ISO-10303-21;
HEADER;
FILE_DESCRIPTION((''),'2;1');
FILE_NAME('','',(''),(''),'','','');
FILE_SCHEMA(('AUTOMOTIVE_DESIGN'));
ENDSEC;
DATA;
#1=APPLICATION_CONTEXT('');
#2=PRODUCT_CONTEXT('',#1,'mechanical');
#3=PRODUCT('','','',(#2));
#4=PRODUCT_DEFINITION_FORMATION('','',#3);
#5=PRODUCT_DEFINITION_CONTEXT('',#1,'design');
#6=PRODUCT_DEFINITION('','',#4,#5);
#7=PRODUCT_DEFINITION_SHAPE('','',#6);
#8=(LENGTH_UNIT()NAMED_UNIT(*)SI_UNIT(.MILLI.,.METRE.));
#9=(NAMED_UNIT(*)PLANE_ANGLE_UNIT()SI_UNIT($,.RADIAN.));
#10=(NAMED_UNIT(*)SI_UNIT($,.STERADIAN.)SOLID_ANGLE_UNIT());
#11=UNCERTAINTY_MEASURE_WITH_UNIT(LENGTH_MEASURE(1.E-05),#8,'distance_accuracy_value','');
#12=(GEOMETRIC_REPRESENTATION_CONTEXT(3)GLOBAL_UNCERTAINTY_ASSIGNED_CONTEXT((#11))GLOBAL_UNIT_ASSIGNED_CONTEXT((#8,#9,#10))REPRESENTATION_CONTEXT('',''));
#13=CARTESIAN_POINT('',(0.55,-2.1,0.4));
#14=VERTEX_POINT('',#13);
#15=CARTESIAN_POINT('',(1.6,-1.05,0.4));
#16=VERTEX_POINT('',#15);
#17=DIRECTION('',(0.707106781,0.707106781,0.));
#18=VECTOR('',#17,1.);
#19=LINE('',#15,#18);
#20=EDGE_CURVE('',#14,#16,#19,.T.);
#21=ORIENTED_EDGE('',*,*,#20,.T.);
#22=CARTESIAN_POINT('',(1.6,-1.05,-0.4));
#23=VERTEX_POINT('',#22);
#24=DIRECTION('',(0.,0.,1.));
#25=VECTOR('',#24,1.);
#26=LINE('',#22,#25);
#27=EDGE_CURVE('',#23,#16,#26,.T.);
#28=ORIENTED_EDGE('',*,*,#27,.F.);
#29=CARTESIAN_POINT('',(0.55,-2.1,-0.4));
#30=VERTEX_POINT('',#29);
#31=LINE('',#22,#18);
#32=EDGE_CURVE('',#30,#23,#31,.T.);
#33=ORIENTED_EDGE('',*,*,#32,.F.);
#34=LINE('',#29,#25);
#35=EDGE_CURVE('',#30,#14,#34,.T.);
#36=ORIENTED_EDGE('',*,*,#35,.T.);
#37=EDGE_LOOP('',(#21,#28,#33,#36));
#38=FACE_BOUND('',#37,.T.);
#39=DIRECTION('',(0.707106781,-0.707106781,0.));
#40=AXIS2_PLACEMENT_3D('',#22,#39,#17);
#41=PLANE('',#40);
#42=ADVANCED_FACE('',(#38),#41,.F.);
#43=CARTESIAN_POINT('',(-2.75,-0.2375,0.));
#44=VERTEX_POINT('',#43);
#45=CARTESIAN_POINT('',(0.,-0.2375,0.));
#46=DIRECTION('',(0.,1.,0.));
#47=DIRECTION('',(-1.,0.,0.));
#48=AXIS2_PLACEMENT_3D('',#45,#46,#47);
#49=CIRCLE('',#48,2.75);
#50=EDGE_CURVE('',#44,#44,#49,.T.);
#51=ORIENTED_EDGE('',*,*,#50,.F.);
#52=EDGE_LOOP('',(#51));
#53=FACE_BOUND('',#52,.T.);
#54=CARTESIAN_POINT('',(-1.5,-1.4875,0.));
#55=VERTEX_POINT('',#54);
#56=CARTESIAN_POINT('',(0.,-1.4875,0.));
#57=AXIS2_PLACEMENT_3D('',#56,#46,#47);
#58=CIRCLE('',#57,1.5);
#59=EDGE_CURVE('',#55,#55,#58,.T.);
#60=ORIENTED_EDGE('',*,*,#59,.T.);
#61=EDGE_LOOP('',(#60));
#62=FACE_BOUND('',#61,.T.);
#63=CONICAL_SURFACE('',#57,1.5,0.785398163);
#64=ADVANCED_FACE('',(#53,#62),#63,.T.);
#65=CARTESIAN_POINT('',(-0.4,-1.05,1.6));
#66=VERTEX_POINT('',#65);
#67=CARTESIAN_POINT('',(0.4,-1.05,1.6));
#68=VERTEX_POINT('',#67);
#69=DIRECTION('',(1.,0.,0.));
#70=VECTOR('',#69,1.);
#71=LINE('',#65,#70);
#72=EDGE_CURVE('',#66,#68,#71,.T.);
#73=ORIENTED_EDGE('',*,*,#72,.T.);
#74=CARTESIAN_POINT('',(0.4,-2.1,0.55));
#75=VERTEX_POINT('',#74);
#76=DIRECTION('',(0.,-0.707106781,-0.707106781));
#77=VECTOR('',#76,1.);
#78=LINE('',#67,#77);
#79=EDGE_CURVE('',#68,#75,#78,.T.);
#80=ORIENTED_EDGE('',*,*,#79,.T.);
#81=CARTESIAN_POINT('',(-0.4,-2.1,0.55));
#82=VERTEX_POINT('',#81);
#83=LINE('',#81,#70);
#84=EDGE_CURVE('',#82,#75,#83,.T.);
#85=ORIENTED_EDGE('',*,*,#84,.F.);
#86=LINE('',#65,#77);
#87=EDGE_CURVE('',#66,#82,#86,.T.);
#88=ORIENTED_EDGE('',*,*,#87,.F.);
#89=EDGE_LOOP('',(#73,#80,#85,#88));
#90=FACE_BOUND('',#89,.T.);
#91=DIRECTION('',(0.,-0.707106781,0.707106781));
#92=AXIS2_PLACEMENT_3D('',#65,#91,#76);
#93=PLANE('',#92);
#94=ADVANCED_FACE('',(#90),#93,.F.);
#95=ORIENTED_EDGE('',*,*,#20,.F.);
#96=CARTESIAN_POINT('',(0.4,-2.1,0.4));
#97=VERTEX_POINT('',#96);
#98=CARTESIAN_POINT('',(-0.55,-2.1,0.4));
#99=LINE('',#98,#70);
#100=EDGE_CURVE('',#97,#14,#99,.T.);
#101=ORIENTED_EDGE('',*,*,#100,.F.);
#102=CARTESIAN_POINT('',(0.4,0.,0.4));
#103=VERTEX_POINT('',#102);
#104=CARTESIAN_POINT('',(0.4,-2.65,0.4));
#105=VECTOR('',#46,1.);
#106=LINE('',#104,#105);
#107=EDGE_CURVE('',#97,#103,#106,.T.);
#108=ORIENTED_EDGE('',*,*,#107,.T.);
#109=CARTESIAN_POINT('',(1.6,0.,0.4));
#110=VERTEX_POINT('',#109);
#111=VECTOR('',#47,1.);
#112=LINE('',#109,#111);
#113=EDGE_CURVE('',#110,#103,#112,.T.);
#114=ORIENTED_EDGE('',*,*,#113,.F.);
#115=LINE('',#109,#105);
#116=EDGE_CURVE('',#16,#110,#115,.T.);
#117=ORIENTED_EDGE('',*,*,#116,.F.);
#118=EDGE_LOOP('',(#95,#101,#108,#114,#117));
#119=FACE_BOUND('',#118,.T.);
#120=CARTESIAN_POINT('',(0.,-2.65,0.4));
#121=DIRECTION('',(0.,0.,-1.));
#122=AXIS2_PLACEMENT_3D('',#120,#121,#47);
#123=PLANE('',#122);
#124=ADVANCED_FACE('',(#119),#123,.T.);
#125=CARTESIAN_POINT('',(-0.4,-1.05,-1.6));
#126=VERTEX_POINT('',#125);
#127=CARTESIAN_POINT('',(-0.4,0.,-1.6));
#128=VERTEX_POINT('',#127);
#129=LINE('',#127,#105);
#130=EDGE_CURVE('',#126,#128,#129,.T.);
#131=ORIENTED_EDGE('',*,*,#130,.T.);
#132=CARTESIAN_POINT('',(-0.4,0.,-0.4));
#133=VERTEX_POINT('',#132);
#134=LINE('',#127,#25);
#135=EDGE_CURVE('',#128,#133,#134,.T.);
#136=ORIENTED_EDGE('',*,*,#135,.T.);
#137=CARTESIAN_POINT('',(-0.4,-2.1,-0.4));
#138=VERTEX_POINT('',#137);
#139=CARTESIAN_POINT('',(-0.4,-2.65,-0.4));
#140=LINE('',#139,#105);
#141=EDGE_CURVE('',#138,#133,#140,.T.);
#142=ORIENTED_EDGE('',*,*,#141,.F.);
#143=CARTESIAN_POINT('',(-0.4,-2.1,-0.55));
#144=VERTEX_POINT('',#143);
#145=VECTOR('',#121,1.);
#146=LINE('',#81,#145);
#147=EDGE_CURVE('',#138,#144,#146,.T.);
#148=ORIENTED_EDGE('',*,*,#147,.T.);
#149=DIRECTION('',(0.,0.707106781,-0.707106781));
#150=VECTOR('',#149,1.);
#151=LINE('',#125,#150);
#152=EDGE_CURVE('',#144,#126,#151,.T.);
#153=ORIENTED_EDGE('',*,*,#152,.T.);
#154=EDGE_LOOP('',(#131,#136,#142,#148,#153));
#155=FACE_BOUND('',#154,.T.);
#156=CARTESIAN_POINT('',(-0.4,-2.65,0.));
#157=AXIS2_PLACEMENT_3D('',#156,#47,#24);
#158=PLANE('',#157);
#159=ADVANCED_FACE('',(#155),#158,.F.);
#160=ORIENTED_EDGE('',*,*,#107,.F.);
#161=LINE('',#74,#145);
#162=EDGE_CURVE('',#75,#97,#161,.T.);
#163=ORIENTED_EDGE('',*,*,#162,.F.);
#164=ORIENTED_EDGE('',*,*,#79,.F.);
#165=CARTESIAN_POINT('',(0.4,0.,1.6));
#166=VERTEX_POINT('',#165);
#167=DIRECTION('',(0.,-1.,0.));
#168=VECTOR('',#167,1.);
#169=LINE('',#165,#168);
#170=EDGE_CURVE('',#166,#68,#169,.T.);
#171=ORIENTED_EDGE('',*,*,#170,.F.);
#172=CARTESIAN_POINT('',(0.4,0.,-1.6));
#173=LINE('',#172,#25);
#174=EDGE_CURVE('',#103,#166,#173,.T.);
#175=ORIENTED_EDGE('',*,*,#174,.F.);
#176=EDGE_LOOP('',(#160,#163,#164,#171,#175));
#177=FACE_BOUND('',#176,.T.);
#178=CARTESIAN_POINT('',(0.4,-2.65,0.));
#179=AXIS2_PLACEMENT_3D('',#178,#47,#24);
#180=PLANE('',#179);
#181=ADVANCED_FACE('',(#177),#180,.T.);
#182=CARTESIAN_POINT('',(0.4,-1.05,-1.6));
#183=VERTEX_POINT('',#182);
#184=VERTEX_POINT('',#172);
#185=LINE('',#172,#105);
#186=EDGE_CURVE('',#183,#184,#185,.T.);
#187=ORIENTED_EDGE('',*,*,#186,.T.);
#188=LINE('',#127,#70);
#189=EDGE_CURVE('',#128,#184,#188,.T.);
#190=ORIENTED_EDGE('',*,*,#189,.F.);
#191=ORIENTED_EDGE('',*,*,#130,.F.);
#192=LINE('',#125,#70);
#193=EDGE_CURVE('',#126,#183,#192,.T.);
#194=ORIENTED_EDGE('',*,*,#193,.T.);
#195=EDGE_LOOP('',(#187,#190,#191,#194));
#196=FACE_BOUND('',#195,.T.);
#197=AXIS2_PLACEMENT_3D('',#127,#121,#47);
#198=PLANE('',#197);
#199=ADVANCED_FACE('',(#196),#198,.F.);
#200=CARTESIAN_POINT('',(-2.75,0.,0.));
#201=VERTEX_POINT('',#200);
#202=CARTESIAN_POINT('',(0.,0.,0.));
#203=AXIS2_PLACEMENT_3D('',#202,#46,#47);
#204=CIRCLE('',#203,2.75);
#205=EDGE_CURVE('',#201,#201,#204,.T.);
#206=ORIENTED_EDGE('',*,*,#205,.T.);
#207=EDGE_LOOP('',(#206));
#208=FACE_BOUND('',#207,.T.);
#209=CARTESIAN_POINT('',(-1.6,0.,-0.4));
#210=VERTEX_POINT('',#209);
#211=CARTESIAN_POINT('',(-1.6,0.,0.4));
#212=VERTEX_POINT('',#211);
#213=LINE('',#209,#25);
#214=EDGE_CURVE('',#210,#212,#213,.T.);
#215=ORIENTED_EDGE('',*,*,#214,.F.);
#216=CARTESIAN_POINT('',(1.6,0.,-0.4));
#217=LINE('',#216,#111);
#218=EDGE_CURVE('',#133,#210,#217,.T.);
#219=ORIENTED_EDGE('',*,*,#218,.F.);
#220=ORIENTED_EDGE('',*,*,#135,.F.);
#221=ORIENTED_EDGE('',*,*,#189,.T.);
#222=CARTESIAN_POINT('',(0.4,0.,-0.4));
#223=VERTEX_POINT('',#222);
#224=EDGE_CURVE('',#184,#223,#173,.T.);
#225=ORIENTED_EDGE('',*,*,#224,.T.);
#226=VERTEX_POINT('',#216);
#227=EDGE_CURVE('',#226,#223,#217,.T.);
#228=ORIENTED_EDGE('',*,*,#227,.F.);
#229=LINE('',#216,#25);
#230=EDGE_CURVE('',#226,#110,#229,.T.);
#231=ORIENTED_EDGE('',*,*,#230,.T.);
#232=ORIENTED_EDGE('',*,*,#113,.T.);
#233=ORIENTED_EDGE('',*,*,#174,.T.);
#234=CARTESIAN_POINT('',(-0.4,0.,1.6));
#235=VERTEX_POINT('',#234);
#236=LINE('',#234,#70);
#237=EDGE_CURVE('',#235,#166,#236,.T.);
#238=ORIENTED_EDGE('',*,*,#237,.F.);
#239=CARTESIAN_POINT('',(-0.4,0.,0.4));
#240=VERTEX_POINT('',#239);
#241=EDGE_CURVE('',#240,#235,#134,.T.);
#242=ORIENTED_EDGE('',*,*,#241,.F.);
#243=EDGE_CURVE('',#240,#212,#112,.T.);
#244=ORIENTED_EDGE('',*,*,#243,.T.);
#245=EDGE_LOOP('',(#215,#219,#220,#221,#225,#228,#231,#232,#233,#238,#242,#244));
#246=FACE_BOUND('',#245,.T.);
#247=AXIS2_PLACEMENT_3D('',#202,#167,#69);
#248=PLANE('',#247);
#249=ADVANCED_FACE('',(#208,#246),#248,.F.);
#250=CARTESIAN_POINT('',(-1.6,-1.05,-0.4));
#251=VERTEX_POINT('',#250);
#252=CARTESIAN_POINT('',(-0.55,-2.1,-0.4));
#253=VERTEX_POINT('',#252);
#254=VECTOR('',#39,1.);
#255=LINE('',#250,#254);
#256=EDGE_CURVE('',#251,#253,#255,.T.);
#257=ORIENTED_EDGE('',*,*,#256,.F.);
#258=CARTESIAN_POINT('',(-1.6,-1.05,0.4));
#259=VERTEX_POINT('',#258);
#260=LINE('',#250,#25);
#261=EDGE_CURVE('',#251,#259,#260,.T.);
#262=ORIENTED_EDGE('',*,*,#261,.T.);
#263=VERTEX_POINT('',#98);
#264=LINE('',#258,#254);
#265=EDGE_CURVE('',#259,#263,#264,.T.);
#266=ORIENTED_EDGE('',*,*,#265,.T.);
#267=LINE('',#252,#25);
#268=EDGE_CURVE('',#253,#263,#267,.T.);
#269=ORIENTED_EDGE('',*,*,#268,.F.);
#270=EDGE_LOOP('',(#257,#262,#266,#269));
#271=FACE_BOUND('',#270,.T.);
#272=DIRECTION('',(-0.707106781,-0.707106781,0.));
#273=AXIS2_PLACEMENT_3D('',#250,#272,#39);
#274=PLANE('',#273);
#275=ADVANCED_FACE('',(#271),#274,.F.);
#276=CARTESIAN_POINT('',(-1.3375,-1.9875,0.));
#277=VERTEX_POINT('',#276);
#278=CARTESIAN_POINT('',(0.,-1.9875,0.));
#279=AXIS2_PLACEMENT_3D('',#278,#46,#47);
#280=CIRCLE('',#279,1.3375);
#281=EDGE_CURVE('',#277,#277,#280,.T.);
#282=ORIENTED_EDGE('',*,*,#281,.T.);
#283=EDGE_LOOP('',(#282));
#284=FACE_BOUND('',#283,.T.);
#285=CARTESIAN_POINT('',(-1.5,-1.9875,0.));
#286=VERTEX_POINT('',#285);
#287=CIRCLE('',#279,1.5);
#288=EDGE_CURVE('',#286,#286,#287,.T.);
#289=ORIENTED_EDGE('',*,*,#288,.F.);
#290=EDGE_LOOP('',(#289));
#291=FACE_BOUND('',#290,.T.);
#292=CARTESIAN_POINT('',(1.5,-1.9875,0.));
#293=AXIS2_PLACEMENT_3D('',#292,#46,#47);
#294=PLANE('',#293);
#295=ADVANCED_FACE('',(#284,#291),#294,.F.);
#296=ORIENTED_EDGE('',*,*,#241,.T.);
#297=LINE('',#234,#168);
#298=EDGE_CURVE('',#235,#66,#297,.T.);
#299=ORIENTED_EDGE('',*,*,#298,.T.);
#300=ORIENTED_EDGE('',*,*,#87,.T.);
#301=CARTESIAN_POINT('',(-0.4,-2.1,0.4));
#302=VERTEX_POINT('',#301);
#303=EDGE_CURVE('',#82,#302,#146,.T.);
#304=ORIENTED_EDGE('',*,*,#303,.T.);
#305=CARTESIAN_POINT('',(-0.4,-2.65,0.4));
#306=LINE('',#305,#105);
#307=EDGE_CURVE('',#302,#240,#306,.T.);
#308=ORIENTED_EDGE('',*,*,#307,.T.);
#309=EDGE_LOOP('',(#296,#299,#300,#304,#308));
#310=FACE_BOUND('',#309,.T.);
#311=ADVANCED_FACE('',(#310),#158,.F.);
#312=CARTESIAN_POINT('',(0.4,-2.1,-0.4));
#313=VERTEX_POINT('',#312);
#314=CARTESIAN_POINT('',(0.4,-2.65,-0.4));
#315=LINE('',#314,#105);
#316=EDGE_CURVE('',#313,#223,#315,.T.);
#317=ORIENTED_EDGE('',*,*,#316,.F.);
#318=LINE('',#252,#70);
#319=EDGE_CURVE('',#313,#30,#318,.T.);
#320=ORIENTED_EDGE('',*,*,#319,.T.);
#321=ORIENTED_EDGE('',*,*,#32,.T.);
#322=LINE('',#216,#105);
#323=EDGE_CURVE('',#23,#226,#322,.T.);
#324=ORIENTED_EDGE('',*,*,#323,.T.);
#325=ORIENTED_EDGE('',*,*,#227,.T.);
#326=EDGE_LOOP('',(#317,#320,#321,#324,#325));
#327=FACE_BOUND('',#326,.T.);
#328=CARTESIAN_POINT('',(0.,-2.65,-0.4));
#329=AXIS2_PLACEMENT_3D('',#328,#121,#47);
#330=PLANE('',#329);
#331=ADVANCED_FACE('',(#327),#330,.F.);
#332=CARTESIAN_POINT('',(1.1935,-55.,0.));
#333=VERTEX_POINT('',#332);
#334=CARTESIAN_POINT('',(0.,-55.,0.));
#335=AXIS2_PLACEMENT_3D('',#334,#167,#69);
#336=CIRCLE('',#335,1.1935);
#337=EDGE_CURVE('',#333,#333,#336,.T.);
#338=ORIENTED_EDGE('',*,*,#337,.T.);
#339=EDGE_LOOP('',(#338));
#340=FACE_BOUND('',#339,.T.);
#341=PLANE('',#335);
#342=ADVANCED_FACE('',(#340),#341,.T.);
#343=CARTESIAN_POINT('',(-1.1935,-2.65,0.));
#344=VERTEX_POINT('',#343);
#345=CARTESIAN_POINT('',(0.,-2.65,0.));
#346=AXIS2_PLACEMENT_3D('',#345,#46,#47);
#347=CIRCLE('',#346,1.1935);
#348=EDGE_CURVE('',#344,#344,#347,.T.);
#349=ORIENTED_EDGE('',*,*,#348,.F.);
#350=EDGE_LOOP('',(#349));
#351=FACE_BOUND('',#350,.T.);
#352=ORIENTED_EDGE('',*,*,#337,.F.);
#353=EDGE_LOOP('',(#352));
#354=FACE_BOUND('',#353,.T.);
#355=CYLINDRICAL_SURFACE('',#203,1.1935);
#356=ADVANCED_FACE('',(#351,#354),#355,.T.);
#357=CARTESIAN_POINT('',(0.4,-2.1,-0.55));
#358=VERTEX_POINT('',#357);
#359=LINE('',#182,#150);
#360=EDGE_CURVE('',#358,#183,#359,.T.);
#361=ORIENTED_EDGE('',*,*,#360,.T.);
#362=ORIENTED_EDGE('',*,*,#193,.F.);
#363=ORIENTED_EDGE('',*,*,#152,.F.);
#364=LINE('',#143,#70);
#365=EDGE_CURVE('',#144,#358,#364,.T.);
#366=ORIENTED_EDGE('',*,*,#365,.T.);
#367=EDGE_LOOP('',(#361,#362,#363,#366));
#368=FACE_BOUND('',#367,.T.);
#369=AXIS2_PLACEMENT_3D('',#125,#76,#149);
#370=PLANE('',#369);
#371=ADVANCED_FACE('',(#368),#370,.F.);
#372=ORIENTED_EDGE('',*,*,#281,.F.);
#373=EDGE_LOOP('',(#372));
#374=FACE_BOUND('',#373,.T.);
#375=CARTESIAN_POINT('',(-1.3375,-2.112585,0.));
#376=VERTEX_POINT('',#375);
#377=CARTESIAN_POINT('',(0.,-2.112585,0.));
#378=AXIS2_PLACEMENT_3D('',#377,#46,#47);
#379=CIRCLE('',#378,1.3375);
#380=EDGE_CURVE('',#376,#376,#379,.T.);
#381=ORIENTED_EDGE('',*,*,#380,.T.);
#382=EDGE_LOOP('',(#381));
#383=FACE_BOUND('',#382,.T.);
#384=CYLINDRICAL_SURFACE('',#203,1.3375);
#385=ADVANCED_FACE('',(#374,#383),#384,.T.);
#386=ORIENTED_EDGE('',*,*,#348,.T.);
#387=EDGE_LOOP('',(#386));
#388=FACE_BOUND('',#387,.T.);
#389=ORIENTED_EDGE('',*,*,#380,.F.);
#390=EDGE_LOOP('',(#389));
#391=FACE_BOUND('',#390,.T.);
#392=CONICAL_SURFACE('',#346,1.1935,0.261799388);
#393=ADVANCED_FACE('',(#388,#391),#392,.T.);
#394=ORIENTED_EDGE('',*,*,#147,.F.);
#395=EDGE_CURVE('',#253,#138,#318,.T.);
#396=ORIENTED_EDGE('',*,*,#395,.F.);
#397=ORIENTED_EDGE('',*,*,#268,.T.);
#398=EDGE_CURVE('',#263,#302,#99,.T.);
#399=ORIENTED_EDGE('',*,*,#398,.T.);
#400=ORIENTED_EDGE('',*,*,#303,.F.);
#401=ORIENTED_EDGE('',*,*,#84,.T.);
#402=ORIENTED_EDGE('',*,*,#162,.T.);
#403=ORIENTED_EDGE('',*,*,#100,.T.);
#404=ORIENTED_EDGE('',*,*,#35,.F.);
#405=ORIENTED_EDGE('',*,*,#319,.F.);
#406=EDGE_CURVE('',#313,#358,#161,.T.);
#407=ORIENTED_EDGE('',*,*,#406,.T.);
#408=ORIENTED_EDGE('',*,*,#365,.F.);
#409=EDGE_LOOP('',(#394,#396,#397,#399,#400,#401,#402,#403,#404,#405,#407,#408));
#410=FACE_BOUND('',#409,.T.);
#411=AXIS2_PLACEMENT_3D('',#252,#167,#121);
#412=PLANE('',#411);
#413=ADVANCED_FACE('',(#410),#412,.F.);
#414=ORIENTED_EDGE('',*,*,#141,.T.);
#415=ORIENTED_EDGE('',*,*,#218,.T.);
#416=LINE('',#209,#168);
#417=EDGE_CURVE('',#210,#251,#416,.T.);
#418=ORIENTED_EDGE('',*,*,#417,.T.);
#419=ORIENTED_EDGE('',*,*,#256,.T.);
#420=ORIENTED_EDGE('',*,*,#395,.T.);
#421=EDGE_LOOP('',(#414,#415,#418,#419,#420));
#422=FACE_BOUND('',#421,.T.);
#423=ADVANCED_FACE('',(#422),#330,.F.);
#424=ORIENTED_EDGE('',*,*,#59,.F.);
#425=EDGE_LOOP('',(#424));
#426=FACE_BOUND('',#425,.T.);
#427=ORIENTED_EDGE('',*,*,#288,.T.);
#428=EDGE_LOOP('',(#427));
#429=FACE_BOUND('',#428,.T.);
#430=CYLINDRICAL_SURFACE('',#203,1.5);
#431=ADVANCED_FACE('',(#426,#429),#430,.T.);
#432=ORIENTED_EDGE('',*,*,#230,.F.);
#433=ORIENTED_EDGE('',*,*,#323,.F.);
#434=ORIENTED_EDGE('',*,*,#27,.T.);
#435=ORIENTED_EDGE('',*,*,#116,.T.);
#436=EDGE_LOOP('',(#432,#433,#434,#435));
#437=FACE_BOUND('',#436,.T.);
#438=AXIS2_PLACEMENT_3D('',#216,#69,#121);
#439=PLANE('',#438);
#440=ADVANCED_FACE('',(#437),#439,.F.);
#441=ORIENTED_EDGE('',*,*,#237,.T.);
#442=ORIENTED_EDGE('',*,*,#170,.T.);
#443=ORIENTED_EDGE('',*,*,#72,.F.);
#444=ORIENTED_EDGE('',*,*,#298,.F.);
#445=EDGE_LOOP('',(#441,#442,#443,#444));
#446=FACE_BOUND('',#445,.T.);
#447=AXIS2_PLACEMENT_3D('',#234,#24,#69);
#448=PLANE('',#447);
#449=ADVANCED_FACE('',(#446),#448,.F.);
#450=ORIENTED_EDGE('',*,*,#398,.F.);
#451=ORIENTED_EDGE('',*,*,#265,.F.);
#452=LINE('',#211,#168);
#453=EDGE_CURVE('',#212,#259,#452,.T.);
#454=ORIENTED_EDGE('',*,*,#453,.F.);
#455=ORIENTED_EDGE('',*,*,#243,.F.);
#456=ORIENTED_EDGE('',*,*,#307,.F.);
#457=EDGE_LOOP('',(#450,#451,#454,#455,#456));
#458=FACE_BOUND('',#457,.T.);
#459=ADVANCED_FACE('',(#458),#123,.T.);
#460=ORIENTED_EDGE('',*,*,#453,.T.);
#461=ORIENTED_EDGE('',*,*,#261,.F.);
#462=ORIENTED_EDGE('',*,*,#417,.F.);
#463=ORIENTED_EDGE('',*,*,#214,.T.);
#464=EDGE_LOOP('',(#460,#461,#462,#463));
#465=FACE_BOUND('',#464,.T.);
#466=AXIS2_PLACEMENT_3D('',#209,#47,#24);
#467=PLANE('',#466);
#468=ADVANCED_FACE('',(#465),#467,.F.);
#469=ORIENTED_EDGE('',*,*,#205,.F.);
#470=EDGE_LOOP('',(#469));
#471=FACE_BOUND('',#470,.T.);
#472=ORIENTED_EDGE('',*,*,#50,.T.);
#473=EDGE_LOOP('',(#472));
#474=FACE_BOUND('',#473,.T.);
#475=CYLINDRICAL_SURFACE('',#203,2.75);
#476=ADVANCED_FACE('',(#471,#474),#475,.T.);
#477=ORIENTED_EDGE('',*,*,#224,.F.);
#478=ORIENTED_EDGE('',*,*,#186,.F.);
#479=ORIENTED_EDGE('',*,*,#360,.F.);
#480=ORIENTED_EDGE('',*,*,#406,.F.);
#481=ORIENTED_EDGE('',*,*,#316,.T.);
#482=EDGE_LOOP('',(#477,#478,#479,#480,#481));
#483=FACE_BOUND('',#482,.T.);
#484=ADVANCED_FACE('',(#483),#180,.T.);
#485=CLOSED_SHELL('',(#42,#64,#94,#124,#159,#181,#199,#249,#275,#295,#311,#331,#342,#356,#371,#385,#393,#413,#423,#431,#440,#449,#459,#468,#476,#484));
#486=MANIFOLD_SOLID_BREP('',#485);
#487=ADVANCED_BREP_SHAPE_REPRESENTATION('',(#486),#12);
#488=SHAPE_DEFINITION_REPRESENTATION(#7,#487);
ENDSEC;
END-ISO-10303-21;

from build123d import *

# Parameters (mm, degrees)
KREUZSCHLITZ1_H_DEPTH      = 0.4
KREUZSCHLITZ1_H_DEPTH_BACK = 0.4
KREUZSCHLITZ2_H_DEPTH      = 0.4
KREUZSCHLITZ2_H_DEPTH_BACK = 0.4
BOSS_EXTRUDE1_START        = 47
SKETCH1_R                  = 1.1935
BOSS_EXTRUDE1_DEPTH        = 47


with BuildPart() as part:
    # Skizze1 → Basis-Rotation (revolve)
    with BuildSketch(Plane.XY, mode=Mode.PRIVATE) as basis_rotation_sk:
        Polygon((0, 0), (2.75, 0), (2.75, -0.2375), (1.5, -1.4875), (1.5, -1.9875), (1.3375, -1.9875), (1.3375, -2.112584684), (1.1935, -2.65), (1.1935, -8), (0, -8), align=None)
    revolve(basis_rotation_sk.sketch.rotate(Axis((0, 0, 0), (0, -1, 0)), 180), axis=Axis((0, 0, 0), (0, -1, 0)))

    # Skizze2 → Kreuzschlitz1 H (cut, two sides: drawn at the far end of the back side and taken through both)
    with BuildSketch(Plane.XY.offset(-KREUZSCHLITZ1_H_DEPTH_BACK)):
        Polygon((-0.55, -2.1), (0.55, -2.1), (1.6, -1.05), (1.6, 0), (-1.6, 0), (-1.6, -1.05), align=None)
    extrude(amount=KREUZSCHLITZ1_H_DEPTH + KREUZSCHLITZ1_H_DEPTH_BACK, mode=Mode.SUBTRACT)

    # Skizze3 → Kreuzschlitz2 H (cut, two sides: drawn at the far end of the back side and taken through both)
    with BuildSketch(Plane(origin=(0, 0, 0), x_dir=(0, 0, -1), z_dir=(1, 0, 0)).offset(-KREUZSCHLITZ2_H_DEPTH_BACK)):
        Polygon((-0.55, -2.1), (0.55, -2.1), (1.6, -1.05), (1.6, 0), (-1.6, 0), (-1.6, -1.05), align=None)
    extrude(amount=KREUZSCHLITZ2_H_DEPTH + KREUZSCHLITZ2_H_DEPTH_BACK, mode=Mode.SUBTRACT)

    # Sketch1 → Boss-Extrude1 (add)
    with BuildSketch(Plane.XZ.offset(8).offset(BOSS_EXTRUDE1_START)):
        with Locations(Location((0, 0, 0), (0, 0, 180))):
            Circle(SKETCH1_R)
    extrude(amount=-BOSS_EXTRUDE1_DEPTH)


solid = part.part
